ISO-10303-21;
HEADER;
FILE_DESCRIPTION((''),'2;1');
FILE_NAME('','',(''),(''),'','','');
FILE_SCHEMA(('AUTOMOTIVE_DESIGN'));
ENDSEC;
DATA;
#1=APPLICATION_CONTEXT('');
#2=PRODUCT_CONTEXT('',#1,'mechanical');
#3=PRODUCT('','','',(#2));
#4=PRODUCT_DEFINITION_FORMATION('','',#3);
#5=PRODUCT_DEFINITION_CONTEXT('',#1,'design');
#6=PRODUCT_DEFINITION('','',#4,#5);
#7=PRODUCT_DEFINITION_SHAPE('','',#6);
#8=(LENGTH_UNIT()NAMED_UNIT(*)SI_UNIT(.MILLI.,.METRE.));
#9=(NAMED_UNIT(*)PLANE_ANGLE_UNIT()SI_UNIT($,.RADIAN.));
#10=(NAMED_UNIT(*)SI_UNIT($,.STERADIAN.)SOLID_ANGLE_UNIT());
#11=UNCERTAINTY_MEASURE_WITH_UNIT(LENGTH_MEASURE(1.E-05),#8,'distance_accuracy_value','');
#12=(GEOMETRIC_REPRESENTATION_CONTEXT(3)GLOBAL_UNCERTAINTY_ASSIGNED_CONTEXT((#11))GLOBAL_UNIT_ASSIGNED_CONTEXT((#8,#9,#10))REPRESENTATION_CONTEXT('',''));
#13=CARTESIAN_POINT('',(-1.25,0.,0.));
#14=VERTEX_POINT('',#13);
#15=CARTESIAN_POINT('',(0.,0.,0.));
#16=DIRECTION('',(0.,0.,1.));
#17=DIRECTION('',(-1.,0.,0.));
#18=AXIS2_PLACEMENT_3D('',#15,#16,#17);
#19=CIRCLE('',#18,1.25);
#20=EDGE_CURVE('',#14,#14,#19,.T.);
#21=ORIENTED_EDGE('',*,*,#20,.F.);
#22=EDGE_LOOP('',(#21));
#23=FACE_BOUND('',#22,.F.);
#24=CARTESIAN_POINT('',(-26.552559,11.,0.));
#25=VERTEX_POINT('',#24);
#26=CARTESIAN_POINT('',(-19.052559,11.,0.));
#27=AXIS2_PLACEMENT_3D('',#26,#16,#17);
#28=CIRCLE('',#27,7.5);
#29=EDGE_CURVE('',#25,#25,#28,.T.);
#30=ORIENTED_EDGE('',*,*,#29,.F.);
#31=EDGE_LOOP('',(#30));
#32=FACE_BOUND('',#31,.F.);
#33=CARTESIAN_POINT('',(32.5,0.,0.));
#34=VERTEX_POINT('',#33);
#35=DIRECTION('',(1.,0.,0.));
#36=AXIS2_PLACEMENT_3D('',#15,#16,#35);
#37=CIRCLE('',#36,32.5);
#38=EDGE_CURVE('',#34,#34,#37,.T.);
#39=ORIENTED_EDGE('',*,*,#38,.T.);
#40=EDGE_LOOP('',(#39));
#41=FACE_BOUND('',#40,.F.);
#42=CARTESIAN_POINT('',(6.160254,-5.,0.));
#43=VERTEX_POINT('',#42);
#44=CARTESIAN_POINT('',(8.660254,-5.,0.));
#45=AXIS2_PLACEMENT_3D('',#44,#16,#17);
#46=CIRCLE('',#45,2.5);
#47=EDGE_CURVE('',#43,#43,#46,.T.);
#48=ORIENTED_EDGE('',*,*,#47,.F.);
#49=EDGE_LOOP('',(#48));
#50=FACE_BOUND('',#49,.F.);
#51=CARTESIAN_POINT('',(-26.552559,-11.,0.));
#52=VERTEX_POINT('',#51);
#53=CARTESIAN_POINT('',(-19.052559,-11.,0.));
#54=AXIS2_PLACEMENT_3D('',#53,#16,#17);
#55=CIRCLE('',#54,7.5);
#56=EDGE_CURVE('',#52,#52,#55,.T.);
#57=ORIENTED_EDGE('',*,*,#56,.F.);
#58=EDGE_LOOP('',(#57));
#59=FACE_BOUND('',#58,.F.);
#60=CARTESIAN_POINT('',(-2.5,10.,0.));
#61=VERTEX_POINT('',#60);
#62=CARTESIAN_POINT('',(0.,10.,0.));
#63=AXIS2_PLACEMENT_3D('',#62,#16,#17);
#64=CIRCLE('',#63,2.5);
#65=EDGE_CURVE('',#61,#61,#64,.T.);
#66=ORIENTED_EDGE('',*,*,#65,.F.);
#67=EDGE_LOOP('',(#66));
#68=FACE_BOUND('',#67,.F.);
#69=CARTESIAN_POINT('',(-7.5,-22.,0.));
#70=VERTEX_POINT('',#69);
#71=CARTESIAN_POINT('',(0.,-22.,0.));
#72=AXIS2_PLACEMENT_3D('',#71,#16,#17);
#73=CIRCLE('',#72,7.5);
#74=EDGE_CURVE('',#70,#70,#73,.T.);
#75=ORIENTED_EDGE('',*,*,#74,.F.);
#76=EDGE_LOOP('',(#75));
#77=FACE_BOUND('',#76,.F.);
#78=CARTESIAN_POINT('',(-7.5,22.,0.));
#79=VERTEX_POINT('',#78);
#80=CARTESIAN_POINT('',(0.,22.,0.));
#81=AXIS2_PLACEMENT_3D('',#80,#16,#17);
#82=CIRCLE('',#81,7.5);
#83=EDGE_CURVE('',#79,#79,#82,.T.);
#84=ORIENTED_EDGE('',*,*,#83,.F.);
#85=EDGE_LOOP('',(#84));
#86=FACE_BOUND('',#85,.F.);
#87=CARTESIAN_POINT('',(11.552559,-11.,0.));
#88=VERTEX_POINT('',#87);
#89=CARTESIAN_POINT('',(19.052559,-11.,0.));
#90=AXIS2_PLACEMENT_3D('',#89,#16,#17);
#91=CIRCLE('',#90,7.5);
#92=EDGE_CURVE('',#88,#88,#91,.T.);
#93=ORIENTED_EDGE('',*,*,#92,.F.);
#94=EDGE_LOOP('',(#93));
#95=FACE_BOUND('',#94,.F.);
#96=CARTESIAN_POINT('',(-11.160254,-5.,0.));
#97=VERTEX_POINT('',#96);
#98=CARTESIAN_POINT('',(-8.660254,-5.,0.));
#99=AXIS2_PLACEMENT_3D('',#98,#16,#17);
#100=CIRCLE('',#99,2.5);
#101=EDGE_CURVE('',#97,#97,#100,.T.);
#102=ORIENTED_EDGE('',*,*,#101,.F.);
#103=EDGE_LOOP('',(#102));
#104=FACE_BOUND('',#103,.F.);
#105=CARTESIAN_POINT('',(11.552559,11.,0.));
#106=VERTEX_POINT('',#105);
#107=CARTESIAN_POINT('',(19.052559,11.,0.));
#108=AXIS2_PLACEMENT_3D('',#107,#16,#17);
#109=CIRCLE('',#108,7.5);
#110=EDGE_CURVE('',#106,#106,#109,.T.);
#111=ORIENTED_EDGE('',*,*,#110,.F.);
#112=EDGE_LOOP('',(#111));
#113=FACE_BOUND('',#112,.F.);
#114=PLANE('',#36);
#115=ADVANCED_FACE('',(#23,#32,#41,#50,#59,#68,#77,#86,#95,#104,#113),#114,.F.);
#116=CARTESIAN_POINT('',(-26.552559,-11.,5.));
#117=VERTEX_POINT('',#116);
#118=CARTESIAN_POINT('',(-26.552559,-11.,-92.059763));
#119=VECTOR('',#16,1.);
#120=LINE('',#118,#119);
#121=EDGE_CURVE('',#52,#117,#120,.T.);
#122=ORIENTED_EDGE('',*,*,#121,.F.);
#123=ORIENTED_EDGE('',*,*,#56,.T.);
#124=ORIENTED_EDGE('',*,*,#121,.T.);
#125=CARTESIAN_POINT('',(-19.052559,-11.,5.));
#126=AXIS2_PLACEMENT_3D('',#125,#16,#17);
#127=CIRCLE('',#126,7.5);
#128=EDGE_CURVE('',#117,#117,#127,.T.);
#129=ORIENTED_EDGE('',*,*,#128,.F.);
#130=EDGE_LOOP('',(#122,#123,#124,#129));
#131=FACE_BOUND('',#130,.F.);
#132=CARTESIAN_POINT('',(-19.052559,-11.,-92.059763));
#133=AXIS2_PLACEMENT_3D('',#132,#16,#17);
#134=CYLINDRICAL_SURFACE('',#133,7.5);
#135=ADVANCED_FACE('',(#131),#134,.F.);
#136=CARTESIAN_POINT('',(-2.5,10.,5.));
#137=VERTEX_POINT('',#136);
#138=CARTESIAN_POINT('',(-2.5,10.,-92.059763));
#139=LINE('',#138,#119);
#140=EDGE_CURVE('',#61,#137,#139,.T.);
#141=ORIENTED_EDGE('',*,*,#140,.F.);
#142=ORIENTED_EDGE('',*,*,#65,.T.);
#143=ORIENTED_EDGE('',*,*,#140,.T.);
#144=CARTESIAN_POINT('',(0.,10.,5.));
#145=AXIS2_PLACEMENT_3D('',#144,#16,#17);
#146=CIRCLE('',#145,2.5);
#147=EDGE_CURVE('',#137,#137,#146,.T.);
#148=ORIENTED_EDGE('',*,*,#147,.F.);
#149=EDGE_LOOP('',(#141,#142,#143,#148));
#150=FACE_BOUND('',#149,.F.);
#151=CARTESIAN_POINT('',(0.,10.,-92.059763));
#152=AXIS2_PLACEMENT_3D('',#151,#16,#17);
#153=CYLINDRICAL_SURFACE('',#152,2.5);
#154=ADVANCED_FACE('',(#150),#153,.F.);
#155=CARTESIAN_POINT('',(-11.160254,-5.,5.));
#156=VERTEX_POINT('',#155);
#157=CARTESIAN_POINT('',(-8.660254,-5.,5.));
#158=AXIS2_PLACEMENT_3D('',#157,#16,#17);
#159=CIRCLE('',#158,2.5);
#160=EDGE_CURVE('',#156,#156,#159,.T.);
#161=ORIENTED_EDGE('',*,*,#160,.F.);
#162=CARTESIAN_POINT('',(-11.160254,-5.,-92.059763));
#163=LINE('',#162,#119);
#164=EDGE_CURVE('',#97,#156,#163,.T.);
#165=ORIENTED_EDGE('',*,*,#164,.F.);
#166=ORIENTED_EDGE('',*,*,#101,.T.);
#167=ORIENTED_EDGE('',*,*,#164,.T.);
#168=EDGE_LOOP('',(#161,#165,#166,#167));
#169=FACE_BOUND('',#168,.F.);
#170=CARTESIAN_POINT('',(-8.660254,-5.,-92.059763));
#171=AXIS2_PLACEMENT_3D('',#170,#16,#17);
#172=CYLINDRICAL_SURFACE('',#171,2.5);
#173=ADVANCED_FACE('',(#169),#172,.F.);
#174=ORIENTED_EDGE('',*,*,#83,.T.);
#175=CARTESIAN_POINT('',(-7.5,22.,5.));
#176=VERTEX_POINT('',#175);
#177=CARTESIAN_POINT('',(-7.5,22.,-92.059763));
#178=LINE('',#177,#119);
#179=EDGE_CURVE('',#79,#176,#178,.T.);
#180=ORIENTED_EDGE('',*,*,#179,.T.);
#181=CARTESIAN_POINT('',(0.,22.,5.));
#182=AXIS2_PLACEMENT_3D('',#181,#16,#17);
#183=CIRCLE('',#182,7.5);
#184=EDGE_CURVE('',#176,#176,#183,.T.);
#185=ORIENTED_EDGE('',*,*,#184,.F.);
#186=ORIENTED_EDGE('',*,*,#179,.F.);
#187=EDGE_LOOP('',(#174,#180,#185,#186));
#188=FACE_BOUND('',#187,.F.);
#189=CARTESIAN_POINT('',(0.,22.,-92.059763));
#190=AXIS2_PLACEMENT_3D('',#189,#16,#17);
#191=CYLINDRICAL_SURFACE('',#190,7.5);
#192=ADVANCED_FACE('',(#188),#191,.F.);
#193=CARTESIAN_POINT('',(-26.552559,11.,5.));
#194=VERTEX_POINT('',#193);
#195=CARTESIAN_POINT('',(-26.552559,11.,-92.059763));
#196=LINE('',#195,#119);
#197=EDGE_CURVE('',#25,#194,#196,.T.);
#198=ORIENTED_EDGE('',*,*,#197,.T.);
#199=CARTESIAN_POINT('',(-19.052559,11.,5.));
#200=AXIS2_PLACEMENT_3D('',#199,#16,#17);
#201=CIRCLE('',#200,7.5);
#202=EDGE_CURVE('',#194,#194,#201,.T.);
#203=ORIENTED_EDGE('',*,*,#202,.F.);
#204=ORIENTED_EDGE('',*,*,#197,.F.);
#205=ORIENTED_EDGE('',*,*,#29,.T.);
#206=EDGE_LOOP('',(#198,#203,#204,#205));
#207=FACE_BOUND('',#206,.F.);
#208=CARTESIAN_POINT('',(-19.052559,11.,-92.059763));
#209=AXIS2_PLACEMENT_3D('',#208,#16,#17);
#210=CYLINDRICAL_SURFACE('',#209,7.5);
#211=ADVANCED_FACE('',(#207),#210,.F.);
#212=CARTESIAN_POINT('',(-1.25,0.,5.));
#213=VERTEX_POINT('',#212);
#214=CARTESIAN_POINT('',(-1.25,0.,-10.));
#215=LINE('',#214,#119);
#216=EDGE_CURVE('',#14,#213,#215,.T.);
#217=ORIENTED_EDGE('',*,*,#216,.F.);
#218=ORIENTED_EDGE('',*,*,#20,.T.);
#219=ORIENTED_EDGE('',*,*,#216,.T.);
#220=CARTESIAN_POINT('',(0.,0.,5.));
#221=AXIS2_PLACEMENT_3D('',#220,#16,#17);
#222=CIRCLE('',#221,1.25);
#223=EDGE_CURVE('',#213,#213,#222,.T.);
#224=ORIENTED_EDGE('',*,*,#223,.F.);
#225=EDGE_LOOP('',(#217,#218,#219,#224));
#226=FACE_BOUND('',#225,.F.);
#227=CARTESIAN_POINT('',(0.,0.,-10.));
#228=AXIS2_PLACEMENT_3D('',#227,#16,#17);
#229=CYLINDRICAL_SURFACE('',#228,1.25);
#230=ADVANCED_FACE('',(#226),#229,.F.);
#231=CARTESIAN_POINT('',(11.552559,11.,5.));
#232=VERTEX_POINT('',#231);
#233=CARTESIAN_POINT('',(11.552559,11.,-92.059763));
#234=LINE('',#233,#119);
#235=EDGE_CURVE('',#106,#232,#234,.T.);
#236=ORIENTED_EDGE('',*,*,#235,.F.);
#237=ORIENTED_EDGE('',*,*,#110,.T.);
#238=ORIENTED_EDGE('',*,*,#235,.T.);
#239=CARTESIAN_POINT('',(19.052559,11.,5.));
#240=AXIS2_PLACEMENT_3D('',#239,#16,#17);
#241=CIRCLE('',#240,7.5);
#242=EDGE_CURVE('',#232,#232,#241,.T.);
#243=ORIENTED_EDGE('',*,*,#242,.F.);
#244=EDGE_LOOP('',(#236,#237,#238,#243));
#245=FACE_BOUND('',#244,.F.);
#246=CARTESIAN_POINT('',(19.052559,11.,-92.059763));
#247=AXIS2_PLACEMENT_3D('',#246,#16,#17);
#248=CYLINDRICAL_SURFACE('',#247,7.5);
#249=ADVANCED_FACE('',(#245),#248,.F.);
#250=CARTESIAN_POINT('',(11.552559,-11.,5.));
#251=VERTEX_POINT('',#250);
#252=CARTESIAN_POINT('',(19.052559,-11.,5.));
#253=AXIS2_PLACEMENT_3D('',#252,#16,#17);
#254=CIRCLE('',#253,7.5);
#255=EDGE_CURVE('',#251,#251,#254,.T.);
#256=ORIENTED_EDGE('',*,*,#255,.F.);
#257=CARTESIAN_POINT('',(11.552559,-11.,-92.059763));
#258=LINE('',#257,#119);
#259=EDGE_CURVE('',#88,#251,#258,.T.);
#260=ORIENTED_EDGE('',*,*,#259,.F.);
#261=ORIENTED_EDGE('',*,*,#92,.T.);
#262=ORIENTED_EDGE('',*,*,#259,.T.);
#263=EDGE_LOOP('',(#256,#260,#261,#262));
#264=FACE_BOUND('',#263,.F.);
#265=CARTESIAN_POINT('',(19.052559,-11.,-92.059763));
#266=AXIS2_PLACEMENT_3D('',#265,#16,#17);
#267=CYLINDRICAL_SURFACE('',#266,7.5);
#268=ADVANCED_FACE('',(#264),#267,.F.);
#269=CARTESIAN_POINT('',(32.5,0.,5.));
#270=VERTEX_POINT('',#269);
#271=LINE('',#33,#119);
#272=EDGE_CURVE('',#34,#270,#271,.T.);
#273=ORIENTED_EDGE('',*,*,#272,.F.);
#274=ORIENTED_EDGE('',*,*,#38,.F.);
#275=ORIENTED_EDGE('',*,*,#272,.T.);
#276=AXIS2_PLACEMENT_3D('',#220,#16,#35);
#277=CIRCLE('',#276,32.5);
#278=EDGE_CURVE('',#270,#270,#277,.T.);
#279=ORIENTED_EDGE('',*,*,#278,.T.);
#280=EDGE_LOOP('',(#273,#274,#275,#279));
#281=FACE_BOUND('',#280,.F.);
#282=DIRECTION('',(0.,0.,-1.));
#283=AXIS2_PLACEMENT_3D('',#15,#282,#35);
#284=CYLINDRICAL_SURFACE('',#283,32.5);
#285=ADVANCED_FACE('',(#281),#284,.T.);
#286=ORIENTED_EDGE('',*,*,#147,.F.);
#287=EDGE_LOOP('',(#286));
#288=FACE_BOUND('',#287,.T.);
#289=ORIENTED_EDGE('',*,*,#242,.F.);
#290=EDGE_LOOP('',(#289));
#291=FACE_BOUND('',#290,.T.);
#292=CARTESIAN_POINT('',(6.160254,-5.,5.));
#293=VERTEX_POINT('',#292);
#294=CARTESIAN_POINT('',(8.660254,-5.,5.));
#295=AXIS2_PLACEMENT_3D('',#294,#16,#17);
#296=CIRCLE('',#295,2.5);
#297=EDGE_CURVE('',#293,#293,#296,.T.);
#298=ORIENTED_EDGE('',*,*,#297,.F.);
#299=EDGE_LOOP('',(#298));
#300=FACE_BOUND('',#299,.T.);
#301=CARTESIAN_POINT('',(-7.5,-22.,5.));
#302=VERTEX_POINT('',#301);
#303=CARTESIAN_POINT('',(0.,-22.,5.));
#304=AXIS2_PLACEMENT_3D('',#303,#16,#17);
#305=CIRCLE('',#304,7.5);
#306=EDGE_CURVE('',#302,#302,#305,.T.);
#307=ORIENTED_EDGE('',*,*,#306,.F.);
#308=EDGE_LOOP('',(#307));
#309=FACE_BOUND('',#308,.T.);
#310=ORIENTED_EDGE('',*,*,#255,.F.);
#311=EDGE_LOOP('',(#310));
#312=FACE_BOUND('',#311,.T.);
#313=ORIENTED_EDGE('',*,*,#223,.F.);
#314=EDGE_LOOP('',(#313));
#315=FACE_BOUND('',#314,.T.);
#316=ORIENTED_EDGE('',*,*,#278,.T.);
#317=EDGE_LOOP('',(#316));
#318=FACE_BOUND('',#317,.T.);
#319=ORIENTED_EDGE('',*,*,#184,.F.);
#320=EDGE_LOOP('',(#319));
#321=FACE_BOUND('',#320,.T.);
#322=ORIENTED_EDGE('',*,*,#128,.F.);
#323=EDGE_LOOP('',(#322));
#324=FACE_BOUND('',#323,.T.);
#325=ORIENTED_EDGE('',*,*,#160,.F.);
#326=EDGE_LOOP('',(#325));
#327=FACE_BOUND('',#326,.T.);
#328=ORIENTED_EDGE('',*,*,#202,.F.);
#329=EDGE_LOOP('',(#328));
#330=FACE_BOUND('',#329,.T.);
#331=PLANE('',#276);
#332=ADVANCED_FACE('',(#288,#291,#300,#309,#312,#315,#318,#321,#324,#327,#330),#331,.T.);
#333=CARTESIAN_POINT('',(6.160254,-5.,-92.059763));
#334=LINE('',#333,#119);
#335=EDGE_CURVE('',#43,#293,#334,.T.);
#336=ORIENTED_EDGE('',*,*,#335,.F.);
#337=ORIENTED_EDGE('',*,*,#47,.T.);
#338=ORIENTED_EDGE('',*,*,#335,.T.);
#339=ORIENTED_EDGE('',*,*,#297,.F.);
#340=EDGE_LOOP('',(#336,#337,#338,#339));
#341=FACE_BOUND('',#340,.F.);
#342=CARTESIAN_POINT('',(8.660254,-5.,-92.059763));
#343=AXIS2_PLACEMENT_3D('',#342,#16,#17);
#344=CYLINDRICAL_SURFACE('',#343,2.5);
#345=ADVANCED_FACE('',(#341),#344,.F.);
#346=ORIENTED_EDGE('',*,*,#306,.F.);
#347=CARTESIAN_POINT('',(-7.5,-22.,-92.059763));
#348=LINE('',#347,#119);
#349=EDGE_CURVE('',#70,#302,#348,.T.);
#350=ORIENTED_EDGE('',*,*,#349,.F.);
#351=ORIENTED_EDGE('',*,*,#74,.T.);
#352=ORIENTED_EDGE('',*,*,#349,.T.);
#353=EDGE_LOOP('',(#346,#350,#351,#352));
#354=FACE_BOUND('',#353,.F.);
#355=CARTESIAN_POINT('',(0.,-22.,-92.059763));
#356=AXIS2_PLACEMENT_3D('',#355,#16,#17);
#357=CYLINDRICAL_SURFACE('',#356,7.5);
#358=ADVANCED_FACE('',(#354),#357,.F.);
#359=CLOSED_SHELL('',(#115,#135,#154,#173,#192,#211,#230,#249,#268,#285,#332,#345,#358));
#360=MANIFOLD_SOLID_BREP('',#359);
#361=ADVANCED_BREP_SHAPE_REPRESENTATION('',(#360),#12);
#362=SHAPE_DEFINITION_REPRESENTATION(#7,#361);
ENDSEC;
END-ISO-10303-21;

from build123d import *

# Parameters (mm, degrees)
F0_R     = 32.5
F1_DEPTH = 5
F2_D     = 15
F3_D     = 5
F4_D     = 2.5
F4_DEPTH = 10
F4_TIP   = 0.7510757738


with BuildPart() as f1:
    # F0 (on Top) → F1 (new body)
    with BuildSketch(Plane.XY):
        Circle(F0_R)
    extrude(amount=F1_DEPTH)

    # F2 (through all)
    with Locations(Plane(origin=(0, 0, 0), x_dir=(1, 0, 0), z_dir=(0, 0, -1))):
        with Locations((19.0525588833, -11), (0, -22), (-19.0525588833, -11), (-19.0525588833, 11), (0, 22), (19.0525588833, 11)):
            Hole(F2_D / 2)

    # F3 (through all)
    with Locations(Plane(origin=(0, 0, 0), x_dir=(1, 0, 0), z_dir=(0, 0, -1))):
        with Locations((-8.6602540378, 5), (0, -10), (8.6602540378, 5)):
            Hole(F3_D / 2)

    # F4
    with Locations(Plane(origin=(0, 0, 0), x_dir=(1, 0, 0), z_dir=(0, 0, -1))):
        with Locations((0, 0)):
            Hole(F4_D / 2, depth=F4_DEPTH)
            with Locations((0, 0, -(F4_DEPTH + F4_TIP / 2))):  # 118° drill point
                Cone(0, F4_D / 2, F4_TIP, mode=Mode.SUBTRACT)


solid = f1.part
